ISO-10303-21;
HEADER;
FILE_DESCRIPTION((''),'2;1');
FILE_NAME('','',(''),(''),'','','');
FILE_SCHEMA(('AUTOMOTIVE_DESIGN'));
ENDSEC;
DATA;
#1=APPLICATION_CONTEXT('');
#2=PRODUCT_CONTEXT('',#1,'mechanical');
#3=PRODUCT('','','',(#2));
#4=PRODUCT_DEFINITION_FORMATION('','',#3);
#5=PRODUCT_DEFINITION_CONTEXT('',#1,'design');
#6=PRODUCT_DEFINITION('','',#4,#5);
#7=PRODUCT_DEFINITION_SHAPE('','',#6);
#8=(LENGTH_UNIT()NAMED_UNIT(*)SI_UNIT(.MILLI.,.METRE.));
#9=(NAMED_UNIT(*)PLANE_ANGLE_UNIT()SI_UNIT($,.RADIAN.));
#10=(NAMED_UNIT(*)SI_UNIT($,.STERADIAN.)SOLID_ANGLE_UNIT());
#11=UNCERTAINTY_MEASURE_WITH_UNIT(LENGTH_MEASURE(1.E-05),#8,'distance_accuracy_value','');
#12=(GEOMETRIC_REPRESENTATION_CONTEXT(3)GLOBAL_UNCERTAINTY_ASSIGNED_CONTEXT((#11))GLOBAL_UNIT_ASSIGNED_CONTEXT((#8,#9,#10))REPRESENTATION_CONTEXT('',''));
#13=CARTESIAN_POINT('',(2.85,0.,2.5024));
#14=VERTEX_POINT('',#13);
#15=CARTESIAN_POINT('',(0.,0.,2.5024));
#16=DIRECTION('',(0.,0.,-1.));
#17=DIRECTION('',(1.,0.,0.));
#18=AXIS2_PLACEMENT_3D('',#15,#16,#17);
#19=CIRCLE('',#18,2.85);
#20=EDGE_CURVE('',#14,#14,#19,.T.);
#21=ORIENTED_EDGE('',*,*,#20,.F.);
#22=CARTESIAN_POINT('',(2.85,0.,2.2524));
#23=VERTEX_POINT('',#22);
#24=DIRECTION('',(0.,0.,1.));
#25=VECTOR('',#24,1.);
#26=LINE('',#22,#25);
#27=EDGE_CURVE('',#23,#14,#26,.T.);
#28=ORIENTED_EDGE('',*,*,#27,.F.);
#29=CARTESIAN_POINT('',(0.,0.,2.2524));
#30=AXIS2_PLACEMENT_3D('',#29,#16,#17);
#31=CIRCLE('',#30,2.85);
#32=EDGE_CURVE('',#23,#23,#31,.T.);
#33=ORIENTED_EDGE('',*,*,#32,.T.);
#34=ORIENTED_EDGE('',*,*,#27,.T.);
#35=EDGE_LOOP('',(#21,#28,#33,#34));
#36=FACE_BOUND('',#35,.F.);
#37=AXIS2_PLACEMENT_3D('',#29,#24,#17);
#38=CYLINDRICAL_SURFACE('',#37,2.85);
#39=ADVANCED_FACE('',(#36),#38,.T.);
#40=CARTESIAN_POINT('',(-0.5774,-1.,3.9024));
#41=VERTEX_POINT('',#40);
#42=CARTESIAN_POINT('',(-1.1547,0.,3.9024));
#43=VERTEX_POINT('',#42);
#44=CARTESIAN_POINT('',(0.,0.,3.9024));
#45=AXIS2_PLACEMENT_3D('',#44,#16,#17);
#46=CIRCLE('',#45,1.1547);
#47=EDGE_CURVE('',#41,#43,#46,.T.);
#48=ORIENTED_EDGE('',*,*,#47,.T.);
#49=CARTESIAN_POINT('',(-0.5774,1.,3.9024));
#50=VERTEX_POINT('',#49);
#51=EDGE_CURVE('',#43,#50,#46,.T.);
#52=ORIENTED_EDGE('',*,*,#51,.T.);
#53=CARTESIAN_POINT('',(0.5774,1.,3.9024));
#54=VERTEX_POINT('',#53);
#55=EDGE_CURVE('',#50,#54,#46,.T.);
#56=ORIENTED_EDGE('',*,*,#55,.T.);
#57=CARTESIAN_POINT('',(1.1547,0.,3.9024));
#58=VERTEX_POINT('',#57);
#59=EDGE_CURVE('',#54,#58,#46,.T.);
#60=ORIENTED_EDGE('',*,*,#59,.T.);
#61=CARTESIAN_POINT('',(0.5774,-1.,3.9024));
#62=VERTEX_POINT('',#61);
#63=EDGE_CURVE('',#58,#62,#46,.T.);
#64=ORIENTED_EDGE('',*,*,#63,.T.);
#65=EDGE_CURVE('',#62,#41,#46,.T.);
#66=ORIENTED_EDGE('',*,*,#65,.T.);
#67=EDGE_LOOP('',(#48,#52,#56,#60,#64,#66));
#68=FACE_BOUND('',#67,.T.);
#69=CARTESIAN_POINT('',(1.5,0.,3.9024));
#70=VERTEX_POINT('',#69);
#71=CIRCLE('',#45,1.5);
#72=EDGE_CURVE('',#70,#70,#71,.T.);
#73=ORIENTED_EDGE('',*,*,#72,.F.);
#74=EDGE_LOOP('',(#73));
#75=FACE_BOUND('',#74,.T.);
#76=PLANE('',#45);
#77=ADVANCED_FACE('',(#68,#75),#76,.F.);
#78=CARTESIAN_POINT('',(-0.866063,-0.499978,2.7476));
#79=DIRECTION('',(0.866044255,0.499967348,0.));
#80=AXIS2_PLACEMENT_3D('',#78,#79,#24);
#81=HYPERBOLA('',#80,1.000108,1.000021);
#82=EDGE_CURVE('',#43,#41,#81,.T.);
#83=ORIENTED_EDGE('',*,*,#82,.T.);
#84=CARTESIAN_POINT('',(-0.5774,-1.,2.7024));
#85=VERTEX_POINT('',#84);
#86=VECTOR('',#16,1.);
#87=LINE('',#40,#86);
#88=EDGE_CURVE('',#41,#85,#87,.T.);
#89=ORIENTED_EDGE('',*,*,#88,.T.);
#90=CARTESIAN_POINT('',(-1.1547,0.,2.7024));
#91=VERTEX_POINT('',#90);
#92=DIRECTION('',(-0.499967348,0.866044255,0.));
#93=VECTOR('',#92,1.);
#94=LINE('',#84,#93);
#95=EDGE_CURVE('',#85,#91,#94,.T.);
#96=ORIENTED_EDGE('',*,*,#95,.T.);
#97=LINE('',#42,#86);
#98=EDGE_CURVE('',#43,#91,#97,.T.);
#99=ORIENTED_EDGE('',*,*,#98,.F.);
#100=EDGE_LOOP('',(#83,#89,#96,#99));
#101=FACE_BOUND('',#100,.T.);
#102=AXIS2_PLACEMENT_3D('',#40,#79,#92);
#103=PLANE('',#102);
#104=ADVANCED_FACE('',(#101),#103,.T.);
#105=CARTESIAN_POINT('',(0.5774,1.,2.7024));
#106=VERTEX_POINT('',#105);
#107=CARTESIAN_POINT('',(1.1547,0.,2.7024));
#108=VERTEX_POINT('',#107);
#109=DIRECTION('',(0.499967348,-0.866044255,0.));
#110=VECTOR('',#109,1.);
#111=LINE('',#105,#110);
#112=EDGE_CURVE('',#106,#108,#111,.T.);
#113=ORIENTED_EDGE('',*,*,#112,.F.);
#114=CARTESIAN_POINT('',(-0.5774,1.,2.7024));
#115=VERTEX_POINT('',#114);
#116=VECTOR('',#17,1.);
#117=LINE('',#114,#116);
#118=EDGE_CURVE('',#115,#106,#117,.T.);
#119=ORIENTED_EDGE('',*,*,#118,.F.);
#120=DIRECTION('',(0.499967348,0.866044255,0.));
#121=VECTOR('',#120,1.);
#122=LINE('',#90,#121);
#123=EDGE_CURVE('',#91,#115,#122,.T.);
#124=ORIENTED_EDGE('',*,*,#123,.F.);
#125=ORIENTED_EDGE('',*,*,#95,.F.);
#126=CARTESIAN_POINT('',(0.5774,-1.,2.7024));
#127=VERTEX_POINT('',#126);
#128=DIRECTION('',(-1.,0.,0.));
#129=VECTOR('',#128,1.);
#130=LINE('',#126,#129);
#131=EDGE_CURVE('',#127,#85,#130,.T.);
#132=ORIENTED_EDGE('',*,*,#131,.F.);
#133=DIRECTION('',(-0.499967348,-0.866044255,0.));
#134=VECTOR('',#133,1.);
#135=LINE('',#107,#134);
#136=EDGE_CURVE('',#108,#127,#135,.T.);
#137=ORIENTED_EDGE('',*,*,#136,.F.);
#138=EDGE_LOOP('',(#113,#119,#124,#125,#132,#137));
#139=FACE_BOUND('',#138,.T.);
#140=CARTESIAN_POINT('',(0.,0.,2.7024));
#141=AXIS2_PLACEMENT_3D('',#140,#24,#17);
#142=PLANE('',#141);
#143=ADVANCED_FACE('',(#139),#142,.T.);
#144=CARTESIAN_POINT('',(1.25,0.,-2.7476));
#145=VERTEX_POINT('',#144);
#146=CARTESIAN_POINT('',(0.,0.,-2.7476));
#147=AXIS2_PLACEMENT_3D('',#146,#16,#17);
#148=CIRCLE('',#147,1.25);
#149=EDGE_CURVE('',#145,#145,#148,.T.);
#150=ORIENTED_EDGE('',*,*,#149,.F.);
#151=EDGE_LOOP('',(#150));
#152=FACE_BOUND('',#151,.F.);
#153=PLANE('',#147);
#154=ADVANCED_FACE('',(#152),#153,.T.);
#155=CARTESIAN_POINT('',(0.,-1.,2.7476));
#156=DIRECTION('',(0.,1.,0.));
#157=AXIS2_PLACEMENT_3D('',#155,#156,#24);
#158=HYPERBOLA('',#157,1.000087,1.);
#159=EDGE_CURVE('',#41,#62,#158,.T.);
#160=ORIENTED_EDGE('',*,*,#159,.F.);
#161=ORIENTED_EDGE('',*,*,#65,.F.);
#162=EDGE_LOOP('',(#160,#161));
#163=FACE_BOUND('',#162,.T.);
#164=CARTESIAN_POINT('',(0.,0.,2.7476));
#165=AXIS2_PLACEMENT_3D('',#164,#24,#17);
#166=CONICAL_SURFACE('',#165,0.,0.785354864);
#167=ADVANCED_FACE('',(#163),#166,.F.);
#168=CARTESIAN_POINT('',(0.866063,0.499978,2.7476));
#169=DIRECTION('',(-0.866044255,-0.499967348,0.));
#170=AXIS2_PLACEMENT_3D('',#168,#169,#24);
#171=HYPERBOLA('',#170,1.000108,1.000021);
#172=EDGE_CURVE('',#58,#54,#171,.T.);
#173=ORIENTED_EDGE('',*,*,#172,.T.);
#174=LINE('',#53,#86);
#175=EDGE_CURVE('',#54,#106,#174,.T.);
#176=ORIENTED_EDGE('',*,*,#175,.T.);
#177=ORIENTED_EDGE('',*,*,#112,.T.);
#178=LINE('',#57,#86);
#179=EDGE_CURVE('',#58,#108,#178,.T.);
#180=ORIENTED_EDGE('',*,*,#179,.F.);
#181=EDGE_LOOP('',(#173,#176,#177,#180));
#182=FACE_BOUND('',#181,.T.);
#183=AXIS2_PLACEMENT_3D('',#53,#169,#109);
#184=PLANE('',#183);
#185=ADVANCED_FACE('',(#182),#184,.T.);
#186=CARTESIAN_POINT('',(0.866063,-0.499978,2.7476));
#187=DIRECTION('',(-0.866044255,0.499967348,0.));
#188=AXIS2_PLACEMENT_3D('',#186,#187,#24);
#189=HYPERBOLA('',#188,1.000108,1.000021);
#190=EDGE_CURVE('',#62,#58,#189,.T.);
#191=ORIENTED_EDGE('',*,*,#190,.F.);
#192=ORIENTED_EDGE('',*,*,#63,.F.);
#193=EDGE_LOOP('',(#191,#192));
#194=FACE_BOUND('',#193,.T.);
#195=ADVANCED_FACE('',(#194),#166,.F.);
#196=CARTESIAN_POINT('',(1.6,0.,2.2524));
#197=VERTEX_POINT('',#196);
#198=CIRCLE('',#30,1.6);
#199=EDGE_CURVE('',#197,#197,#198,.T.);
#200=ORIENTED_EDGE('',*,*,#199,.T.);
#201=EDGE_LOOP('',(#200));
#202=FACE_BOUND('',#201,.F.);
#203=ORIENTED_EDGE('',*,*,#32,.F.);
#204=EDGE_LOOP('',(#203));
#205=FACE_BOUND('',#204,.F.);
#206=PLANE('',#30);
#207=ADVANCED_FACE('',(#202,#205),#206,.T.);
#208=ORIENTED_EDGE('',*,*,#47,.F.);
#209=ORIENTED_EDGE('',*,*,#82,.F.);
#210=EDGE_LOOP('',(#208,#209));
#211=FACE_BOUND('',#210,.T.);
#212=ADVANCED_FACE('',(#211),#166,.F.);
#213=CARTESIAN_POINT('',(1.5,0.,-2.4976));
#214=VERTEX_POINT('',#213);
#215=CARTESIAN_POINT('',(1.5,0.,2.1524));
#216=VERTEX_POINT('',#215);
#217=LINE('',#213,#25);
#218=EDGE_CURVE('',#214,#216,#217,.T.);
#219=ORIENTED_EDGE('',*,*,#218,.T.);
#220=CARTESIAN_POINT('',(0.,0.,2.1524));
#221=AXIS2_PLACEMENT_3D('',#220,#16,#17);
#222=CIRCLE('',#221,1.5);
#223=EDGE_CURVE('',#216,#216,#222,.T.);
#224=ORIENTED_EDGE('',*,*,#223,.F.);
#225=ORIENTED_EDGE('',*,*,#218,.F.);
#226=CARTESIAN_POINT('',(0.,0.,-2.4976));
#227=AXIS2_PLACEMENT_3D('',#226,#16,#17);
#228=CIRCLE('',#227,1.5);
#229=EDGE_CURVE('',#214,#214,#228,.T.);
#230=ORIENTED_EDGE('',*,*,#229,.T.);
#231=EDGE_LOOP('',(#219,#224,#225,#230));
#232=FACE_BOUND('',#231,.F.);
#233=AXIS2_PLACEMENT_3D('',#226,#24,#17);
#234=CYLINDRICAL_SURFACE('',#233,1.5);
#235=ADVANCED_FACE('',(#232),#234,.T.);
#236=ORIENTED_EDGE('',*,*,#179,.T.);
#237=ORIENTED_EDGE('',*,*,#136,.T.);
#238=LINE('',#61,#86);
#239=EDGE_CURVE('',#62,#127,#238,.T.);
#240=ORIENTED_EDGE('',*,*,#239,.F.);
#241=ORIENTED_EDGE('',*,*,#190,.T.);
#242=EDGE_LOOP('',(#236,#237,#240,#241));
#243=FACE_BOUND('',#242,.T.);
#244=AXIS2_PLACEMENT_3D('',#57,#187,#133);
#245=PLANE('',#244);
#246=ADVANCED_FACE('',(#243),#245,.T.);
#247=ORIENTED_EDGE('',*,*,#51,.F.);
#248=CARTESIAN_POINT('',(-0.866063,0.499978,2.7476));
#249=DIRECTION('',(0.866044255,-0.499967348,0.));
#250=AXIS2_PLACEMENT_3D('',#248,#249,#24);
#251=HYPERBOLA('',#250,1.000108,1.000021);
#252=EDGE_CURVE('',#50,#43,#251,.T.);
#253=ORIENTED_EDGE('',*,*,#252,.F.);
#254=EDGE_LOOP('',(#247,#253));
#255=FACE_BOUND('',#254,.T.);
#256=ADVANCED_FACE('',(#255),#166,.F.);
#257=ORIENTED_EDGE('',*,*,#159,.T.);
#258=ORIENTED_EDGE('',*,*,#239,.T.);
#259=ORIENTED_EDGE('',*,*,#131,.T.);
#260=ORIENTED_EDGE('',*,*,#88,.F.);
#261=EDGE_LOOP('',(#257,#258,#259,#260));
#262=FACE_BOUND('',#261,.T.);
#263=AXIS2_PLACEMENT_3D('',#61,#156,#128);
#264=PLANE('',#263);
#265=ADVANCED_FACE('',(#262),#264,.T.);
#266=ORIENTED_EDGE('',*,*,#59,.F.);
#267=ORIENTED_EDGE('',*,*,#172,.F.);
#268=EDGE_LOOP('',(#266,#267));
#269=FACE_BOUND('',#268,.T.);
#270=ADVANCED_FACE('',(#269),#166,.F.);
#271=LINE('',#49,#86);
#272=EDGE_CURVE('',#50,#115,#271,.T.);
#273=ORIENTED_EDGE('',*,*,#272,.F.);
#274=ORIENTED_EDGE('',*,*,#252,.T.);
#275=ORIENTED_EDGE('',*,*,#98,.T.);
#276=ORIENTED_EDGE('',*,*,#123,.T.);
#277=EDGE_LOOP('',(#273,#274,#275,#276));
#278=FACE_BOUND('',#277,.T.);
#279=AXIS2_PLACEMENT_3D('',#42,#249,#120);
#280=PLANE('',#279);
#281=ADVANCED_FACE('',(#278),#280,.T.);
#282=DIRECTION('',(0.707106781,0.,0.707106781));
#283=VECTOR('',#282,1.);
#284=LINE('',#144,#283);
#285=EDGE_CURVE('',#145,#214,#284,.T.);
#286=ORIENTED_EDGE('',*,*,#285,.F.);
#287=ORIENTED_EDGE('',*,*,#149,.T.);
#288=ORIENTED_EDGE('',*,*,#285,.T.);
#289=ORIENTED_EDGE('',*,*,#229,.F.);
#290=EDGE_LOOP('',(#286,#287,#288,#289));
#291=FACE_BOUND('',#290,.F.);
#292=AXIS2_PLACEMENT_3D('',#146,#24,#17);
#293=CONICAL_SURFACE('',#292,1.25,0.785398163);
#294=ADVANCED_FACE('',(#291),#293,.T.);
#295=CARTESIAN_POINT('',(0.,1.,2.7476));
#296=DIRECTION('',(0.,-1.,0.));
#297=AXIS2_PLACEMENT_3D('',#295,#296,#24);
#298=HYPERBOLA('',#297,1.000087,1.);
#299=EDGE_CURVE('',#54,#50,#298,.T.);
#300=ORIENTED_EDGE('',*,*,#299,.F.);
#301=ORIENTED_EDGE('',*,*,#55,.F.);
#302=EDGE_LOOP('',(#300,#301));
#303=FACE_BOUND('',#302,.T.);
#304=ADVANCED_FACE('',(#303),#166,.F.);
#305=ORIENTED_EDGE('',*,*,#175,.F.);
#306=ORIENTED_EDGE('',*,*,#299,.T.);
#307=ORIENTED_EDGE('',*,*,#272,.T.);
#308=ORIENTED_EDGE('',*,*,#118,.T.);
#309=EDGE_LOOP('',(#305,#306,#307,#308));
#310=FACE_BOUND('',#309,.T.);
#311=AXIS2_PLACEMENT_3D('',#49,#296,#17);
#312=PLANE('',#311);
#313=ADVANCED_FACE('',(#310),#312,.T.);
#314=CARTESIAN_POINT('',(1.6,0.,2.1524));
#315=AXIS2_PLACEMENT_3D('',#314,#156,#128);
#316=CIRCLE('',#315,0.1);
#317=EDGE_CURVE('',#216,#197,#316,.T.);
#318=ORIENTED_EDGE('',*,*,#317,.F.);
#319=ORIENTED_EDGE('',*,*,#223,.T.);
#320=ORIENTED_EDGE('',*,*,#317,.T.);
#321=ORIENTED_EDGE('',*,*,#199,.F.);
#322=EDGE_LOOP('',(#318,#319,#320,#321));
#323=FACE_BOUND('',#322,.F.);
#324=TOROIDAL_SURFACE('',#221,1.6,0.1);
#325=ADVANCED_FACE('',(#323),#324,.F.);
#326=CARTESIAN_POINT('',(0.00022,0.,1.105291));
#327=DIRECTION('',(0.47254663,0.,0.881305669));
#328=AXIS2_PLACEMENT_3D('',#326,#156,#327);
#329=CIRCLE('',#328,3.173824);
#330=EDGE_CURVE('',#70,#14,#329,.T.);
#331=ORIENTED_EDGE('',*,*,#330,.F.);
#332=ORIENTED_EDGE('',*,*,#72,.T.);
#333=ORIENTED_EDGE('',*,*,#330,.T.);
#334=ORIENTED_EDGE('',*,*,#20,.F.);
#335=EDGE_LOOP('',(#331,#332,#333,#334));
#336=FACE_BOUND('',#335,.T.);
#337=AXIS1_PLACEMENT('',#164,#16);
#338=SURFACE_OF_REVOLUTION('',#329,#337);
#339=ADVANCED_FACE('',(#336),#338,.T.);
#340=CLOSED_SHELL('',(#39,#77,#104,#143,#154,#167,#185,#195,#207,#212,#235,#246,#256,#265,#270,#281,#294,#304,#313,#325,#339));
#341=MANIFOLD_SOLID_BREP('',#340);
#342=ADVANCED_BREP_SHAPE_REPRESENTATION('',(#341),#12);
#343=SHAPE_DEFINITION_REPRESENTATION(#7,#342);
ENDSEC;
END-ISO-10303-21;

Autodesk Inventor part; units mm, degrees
ref_plane "YZ Plane" through (0, 0, 0) normal (1, 0, 0) x (0, 1, 0)
ref_plane "XZ Plane" through (0, 0, 0) normal (0, 1, 0) x (-1, 0, 0)
ref_plane "XY Plane" through (0, 0, 0) normal (0, 0, 1) x (1, 0, 0)
sketch "Sketch1" plane through (0, 0, 0) normal (0, 1, 0) x (-1, 0, 0)
  line L0 (0, 2.7476) -> (0, -2.7476)
  line L1 (0, -2.7476) -> (-1.25, -2.7476)
  line L2 (-1.25, -2.7476) -> (-1.5, -2.4976)
  line L3 (-1.5, -2.4976) -> (-1.5, 2.1524)
  line L4 (-1.6, 2.2524) -> (-2.85, 2.2524)
  line L5 (-2.85, 2.2524) -> (-2.85, 2.5024)
  line L6 (0, 2.7476) -> (-1.1547, 3.9024)
  line L7 (-1.1547, 3.9024) -> (-1.5, 3.9024)
  arc A0 (-1.5, 3.9024) -> (-2.85, 2.5024) centre (0, 1.105) ccw
  line L8 (-1.1547, 3.9024) -> (-0.5774, 4.9024) construction
  line L9 (-0.5774, 4.9024) -> (0.5774, 4.9024) construction
  line L10 (0.5774, 4.9024) -> (1.1547, 3.9024) construction
  line L11 (1.1547, 3.9024) -> (0.5774, 2.9024) construction
  line L12 (0.5774, 2.9024) -> (-0.5774, 2.9024) construction
  line L13 (-0.5774, 2.9024) -> (-1.1547, 3.9024) construction
  arc A1 (-1.5, 2.1524) -> (-1.6, 2.2524) centre (-1.6, 2.1524) ccw
  point P0 (0, 0)
  point P1 (-1.5, 2.2524)
  point P2 (0, 0)
  point P3 (0, 3.9024)
  dimension "d0" = 3
  dimension "d1" = 5
  dimension "d2" = 0.25
  dimension "d3" = 135
  dimension "d4" = 5.7
  dimension "d5" = 3
  dimension "d6" = 1.65
  dimension "d7" = 2
  dimension "d8" = 0.25
  dimension "d15" = 3.2
revolve "Revolution1" add sketch "Sketch1" angle 360 about axis through (0, 0, 2.7476) along (0, 0, -1)
sketch "Sketch2" plane through (0, 0, 3.9024) normal (0, 0, 1) x (1, 0, 0)
  circle A0 centre (0, 0) radius 1.1547 projected
  circle A1 centre (0, 0) radius 1.5 projected
  line L0 (-1.1547, 0) -> (-0.5774, 1)
  line L1 (-0.5774, 1) -> (0.5774, 1)
  line L2 (0.5774, 1) -> (1.1547, 0)
  line L3 (1.1547, 0) -> (0.5774, -1)
  line L4 (0.5774, -1) -> (-0.5774, -1)
  line L5 (-0.5774, -1) -> (-1.1547, 0)
  point P0 (0, 0)
extrude "Extrusion1" cut sketch "Sketch2" against normal blind 1.2 contours L3 L4 L5 L0 L1 L2
thread "Thread1" size "M3x0.35" class "6g" standard "ANSI Metric M Profile" full length
properties part number "Bolt_M3x0.35_5mm_BH" material "Stainless Steel"
